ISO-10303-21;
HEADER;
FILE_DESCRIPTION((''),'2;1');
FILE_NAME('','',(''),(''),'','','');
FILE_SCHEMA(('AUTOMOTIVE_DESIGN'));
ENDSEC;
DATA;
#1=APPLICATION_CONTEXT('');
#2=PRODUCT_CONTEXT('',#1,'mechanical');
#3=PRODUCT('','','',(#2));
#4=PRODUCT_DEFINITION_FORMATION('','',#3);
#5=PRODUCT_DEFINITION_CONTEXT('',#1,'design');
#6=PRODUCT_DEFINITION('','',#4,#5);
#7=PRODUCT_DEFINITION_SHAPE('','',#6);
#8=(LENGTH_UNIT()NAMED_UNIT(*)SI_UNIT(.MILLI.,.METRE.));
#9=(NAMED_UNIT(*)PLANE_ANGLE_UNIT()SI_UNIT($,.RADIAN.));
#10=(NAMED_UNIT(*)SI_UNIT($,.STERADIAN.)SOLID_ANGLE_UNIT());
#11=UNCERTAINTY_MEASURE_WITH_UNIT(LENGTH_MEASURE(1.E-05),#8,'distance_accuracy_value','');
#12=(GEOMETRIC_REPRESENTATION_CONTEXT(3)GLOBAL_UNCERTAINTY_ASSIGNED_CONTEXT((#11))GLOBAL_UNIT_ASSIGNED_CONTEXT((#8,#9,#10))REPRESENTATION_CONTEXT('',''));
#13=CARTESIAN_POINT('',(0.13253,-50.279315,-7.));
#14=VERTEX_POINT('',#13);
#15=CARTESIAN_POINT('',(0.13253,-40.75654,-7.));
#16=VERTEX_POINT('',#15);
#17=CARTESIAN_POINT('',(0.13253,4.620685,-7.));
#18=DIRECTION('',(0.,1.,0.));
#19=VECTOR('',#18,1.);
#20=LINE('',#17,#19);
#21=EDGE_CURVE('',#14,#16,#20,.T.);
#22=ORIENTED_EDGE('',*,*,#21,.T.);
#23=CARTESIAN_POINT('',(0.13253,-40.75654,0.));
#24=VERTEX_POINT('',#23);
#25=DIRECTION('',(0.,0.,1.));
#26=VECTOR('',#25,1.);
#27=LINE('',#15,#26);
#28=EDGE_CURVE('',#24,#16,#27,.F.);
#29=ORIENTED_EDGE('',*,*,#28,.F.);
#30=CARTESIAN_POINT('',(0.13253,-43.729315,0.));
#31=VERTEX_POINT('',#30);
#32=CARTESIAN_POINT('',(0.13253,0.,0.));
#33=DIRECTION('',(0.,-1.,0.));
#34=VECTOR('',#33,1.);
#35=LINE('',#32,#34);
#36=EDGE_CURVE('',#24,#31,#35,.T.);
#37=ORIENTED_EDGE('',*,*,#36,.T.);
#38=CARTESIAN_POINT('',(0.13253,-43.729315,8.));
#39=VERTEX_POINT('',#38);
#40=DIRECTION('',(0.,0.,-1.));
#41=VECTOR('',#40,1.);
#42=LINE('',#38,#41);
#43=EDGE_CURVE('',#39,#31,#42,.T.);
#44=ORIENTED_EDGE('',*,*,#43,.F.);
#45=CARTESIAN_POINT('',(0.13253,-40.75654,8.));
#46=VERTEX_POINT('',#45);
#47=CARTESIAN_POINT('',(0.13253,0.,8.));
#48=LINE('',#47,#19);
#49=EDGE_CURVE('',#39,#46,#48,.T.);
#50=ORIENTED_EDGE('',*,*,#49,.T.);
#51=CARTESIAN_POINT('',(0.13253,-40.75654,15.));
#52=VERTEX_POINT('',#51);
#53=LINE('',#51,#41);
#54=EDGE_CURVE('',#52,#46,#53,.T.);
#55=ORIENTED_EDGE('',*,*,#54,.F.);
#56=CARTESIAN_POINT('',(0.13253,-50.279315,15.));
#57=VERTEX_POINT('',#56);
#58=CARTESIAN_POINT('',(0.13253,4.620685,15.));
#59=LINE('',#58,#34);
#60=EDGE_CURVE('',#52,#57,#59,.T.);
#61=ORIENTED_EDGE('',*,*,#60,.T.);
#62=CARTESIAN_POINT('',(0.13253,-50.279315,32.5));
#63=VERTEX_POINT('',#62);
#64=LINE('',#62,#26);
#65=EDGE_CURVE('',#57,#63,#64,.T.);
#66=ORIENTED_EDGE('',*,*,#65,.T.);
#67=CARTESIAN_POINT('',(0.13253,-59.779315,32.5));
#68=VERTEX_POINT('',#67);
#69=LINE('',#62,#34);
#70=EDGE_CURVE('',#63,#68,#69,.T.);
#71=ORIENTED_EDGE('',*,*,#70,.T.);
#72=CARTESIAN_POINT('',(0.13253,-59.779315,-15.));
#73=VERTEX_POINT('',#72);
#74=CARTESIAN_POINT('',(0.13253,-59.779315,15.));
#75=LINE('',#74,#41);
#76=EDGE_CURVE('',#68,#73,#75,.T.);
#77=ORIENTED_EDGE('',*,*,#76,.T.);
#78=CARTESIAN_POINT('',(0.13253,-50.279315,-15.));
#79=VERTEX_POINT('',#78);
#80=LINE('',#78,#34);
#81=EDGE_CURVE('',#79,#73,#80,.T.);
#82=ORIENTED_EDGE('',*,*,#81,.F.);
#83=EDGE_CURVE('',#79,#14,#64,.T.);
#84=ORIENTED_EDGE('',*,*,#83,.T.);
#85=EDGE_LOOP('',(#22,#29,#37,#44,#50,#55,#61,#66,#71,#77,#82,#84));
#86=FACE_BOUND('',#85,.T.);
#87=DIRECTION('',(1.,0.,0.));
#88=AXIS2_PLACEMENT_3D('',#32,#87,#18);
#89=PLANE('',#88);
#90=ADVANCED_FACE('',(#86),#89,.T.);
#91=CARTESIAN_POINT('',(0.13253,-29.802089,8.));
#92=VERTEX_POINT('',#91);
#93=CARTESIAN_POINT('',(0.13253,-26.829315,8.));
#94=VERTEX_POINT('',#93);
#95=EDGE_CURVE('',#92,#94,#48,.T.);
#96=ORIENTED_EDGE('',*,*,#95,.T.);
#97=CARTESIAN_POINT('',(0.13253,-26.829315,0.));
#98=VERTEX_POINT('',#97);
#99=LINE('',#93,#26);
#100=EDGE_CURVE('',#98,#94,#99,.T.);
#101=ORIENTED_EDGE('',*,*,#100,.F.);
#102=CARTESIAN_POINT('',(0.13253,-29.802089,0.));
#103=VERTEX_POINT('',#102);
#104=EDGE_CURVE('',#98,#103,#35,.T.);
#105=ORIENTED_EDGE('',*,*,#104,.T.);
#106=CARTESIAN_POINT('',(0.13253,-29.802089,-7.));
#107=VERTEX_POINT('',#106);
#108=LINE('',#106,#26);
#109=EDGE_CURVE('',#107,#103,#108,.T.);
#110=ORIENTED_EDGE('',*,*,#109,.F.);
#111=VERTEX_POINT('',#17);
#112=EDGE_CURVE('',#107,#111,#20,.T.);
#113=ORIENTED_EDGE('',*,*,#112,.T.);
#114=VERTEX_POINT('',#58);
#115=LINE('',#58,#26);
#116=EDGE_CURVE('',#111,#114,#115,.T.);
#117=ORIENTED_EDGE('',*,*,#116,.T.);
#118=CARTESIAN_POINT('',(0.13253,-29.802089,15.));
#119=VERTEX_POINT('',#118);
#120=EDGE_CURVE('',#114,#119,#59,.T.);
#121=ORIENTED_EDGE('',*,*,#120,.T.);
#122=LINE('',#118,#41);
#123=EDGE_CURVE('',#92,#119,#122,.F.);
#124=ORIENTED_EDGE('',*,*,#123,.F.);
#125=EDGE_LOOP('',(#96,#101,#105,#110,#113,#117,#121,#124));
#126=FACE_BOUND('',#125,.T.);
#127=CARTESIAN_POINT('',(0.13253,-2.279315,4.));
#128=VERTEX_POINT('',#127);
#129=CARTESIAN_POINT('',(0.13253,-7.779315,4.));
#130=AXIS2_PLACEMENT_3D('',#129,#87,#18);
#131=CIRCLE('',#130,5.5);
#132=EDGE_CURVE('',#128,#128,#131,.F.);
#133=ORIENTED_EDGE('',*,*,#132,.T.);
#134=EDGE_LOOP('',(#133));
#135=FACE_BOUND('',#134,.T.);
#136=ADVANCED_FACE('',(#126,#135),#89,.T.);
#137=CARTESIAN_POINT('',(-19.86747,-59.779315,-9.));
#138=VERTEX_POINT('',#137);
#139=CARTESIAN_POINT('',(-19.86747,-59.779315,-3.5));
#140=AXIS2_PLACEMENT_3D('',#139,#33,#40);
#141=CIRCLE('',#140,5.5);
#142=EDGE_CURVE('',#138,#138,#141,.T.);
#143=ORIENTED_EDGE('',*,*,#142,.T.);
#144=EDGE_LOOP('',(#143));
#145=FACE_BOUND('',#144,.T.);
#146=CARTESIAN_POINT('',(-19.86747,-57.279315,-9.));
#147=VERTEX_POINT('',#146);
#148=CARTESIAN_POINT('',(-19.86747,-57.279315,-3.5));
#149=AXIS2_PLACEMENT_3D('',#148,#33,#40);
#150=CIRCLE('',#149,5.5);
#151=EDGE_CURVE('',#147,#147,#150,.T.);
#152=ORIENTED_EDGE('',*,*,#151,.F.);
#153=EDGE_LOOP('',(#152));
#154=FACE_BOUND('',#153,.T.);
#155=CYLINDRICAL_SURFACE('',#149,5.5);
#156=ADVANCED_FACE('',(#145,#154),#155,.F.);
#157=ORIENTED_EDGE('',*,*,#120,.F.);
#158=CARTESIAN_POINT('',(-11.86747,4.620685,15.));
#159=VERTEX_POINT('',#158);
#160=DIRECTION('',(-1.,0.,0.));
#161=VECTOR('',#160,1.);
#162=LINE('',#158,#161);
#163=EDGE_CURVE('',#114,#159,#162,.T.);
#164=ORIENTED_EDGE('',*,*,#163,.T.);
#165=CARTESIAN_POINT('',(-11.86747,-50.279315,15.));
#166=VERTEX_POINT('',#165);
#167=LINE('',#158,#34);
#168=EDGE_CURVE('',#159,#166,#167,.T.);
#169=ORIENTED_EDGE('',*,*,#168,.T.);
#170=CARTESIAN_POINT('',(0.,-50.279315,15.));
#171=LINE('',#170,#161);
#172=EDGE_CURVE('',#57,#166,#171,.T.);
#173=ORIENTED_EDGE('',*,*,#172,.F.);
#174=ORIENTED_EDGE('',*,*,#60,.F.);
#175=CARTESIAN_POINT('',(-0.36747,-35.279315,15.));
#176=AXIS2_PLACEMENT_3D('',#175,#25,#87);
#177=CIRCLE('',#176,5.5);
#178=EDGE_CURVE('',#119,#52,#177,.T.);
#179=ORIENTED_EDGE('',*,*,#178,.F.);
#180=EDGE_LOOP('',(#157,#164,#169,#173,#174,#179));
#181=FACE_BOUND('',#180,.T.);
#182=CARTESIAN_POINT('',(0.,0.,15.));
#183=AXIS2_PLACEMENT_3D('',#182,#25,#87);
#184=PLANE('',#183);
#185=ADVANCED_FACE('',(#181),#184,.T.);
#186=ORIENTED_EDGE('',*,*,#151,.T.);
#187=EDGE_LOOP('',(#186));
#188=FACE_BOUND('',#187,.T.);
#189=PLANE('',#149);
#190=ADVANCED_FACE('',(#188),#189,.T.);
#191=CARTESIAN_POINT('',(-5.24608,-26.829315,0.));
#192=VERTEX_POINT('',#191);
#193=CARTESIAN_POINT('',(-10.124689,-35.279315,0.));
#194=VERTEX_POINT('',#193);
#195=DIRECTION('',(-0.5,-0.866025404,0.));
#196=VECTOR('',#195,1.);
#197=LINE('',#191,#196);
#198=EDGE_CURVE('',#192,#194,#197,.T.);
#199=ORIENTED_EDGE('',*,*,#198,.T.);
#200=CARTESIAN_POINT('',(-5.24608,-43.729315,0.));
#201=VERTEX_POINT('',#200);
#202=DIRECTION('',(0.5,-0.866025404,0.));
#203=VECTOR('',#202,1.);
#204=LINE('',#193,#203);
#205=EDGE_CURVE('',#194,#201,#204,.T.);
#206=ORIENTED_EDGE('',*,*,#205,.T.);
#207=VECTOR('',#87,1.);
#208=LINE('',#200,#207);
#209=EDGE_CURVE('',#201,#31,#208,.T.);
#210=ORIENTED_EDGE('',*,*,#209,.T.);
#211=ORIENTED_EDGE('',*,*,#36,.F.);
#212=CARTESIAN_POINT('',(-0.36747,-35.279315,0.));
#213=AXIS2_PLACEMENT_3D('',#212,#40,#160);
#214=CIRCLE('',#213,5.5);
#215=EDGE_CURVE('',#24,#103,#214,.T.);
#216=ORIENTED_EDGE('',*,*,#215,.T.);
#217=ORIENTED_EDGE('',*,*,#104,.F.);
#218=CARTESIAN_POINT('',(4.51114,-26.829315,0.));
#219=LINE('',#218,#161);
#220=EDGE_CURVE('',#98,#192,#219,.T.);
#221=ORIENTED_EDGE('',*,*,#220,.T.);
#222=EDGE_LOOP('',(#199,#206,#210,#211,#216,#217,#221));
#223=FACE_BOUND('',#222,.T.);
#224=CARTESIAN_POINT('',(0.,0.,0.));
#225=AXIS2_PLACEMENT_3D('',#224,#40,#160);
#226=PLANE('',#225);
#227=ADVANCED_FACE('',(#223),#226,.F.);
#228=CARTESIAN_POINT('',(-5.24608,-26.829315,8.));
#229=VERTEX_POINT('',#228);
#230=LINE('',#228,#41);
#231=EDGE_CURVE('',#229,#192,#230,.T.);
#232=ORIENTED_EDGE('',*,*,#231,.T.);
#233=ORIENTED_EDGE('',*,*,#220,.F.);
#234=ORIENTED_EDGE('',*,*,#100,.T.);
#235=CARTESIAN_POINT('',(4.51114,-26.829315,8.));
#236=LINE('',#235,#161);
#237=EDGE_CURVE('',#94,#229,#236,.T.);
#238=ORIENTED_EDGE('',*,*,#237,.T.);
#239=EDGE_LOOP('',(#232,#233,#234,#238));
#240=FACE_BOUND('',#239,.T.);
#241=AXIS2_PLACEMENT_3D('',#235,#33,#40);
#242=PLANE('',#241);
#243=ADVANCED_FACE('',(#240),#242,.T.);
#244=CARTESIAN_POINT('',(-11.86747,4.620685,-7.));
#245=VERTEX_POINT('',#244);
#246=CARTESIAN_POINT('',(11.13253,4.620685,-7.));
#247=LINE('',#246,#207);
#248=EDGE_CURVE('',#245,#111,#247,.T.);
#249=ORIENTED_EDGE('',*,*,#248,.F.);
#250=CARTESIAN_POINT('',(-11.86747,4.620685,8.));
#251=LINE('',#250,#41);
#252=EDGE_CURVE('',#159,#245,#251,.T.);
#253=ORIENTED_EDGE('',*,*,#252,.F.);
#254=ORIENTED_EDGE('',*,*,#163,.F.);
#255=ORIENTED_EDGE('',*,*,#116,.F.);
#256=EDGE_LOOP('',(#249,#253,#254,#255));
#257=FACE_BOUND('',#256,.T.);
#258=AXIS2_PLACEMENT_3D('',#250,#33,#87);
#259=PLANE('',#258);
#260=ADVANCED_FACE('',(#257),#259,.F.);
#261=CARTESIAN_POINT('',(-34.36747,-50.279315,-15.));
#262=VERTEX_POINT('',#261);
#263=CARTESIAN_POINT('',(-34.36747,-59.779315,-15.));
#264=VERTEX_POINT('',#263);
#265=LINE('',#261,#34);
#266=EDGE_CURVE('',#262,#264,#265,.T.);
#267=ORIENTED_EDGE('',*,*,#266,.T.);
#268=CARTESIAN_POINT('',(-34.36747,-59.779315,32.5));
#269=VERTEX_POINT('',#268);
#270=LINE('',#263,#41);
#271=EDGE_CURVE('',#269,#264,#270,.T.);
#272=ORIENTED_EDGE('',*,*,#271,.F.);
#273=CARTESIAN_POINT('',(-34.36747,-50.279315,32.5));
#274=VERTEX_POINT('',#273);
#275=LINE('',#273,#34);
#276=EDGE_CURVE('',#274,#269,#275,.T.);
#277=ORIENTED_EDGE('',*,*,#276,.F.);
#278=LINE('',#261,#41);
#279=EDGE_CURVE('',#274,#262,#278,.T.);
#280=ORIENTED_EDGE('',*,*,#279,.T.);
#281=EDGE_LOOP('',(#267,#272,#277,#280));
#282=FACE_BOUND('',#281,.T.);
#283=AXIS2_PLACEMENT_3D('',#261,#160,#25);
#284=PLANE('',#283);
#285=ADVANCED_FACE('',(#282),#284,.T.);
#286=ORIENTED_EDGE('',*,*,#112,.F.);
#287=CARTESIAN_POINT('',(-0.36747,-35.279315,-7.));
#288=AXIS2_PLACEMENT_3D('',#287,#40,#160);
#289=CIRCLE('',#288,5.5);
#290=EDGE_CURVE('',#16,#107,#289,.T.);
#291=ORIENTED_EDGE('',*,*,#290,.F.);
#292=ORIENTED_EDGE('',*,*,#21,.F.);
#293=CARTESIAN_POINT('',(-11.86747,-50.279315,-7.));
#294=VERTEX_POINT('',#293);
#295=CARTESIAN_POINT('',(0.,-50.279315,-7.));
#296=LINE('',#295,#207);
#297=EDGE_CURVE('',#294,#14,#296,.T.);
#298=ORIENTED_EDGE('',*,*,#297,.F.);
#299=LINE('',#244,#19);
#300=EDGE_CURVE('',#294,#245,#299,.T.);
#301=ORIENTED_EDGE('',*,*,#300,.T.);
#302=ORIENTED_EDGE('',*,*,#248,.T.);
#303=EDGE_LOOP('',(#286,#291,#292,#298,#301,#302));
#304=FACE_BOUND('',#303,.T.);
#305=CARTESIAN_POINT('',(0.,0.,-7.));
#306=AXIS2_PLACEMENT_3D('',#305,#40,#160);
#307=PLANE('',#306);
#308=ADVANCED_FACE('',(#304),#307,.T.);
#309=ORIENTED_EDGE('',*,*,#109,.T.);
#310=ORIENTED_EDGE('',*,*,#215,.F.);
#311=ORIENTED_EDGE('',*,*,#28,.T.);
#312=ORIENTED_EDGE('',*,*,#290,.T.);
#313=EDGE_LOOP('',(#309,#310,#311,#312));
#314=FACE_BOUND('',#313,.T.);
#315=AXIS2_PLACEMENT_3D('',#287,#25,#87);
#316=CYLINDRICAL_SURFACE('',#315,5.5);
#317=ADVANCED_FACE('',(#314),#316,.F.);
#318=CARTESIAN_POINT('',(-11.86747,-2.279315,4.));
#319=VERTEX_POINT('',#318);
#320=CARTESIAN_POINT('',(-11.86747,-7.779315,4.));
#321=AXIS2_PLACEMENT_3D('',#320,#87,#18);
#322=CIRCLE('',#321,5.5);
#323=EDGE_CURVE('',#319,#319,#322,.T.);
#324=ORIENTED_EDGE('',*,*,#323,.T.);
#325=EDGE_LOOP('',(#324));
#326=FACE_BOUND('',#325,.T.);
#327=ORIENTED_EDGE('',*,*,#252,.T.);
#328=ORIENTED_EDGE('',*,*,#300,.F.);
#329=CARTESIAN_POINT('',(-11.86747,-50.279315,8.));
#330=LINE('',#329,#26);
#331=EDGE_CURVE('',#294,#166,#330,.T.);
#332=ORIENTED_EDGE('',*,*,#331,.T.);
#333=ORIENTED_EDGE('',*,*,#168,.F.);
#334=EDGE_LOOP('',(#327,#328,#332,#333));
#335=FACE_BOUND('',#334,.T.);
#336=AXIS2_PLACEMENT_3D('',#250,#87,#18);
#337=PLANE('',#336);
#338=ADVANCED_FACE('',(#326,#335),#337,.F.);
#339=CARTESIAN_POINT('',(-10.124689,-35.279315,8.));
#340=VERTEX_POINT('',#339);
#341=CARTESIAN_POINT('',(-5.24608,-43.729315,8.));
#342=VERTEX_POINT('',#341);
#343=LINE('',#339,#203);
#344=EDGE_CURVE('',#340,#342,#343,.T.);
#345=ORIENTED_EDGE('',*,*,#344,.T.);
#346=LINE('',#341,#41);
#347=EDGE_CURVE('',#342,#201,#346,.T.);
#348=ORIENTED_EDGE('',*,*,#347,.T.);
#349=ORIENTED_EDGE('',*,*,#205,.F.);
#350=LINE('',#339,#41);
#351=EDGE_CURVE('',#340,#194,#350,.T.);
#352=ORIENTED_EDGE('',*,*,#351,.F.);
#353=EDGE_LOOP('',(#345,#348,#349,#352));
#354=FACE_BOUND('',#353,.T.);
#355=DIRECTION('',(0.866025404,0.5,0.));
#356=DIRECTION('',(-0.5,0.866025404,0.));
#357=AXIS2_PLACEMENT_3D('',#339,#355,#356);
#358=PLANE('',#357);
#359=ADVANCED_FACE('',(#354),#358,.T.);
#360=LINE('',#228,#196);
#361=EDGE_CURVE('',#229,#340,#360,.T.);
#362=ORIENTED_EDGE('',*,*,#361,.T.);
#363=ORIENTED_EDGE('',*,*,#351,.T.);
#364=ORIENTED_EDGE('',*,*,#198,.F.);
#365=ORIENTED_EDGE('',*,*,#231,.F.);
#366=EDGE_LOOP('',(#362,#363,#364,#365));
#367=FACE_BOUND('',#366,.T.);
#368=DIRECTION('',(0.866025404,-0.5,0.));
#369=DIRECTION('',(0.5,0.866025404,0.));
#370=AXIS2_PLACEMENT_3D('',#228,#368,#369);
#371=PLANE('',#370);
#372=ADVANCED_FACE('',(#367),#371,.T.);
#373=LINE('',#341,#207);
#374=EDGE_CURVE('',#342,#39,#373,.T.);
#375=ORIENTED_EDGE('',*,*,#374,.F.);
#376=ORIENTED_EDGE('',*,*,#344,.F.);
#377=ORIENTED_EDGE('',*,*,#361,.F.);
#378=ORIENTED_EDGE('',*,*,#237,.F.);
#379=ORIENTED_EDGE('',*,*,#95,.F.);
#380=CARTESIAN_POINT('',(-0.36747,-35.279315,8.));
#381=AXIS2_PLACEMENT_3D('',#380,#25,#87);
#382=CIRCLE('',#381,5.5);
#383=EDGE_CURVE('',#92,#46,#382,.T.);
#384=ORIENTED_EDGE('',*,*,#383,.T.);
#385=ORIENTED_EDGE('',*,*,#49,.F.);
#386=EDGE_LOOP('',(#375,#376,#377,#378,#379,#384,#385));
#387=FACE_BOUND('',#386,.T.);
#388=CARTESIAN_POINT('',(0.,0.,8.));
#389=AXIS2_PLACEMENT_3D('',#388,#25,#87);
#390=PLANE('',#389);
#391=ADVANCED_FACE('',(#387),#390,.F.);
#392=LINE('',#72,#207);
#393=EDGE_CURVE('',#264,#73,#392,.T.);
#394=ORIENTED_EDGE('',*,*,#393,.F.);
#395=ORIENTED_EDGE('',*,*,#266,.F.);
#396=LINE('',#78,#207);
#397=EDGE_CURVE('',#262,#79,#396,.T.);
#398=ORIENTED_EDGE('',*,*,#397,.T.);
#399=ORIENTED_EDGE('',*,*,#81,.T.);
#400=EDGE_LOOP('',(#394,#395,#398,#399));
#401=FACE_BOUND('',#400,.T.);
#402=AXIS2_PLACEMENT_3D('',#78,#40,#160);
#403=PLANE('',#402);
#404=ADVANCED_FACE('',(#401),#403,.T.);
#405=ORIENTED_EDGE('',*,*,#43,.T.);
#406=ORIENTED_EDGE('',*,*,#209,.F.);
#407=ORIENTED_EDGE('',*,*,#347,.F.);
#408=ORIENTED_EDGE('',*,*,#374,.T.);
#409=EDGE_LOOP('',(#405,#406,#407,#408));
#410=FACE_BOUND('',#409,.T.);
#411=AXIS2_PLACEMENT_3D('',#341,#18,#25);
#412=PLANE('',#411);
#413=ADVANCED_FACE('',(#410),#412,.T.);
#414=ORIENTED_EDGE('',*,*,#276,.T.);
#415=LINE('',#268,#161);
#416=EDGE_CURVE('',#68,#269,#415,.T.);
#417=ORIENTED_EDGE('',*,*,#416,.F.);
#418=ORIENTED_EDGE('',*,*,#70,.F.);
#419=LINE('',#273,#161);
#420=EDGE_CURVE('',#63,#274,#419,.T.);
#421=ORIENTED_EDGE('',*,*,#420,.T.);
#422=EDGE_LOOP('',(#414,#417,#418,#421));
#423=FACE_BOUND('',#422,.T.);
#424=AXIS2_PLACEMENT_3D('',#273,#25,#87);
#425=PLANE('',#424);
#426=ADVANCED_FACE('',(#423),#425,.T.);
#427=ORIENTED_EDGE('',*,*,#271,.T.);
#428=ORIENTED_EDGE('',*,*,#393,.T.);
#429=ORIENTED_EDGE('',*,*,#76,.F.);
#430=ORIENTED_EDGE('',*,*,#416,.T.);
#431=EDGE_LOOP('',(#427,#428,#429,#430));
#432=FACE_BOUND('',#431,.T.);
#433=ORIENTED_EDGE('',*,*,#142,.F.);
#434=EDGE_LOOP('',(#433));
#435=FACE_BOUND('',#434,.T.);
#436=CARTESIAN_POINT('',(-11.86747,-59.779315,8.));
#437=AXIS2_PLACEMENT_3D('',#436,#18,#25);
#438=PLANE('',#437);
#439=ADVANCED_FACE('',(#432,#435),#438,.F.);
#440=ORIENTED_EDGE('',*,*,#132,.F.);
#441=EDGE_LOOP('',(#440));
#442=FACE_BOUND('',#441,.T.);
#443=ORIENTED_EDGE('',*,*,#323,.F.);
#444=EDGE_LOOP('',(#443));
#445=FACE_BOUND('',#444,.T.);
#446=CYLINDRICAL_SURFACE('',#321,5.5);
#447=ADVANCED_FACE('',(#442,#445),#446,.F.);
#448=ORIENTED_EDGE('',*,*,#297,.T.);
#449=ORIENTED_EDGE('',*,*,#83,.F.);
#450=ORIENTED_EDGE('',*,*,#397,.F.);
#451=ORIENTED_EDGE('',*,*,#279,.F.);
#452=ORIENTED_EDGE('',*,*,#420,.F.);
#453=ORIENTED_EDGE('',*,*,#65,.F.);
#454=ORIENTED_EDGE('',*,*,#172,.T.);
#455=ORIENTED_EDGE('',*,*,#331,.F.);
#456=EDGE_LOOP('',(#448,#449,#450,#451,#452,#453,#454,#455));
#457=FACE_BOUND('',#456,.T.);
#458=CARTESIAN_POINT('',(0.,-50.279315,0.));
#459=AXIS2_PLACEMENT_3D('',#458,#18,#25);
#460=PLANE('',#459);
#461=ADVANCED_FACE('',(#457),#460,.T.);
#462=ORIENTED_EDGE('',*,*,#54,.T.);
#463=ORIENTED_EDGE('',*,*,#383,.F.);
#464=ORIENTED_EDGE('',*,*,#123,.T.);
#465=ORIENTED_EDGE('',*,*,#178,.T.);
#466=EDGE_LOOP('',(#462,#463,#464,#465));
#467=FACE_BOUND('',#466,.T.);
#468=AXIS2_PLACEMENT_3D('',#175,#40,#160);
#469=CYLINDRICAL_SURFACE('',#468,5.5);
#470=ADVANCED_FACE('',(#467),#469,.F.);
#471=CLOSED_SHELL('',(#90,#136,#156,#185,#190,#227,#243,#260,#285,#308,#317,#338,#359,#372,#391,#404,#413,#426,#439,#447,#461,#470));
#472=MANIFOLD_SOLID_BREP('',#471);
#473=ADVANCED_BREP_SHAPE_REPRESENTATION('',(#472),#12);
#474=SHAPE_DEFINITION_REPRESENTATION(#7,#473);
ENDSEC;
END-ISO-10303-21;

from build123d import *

# Parameters (mm, degrees)
SKETCH_1_W          = 23
SKETCH_1_H          = 64.4
EXTRUDE_1_DEPTH     = 8
SKETCH_3_W          = 23
SKETCH_3_H          = 64.4
SKETCH_3_R          = 5.5
EXTRUDE_2_DEPTH     = 7
SKETCH_4_W          = 23
SKETCH_4_H          = 64.4
SKETCH_4_R          = 5.5
EXTRUDE_3_DEPTH     = 7
SKETCH_5_R          = 5.5
CUT_EXTRUDE_1_DEPTH = 24
SKETCH_6_W          = 22
SKETCH_6_H          = 64.4
CUT_EXTRUDE_2_DEPTH = 11
EXTRUDE_4_DEPTH     = 9.5
SKETCH_9_R          = 5.5
CUT_EXTRUDE_3_DEPTH = 2.5


with BuildPart() as part:
    # 草圖1 → 填料-伸長1 (new body)
    with BuildSketch(Plane.XY):
        with Locations((-0.36746988, -27.579314659)):
            Rectangle(SKETCH_1_W, SKETCH_1_H)
        Polygon((9.38974967, -35.279314659), (4.511139895, -26.829314659), (-5.246079654, -26.829314659), (-10.124689429, -35.279314659), (-5.246079654, -43.729314659), (4.511139895, -43.729314659), align=None, mode=Mode.SUBTRACT)
    extrude(amount=EXTRUDE_1_DEPTH)

    # 草圖3 → 填料-伸長2 (add)
    with BuildSketch(Plane.XY.offset(8)):
        with Locations((-0.36746988, -27.579314659)):
            Rectangle(SKETCH_3_W, SKETCH_3_H)
        with Locations((-0.36746988, -35.279314659)):
            Circle(SKETCH_3_R, mode=Mode.SUBTRACT)
    extrude(amount=EXTRUDE_2_DEPTH)

    # 草圖4 → 填料-伸長3 (add)
    with BuildSketch(Plane(origin=(0, 0, 0), x_dir=(-1, 0, 0), z_dir=(0, 0, -1))):
        with Locations((0.36746988, -27.579314659)):
            Rectangle(SKETCH_4_W, SKETCH_4_H)
        with Locations((0.36746988, -35.279314659)):
            Circle(SKETCH_4_R, mode=Mode.SUBTRACT)
    extrude(amount=EXTRUDE_3_DEPTH)

    # 草圖5 → 除料-伸長1 (cut, through all)
    with BuildSketch(Plane(origin=(11.13253012, 0, 0), x_dir=(0, 0, -1), z_dir=(1, 0, 0))):
        with Locations((-4, -7.779314659)):
            Circle(SKETCH_5_R)
    extrude(amount=-CUT_EXTRUDE_1_DEPTH, mode=Mode.SUBTRACT)

    # 草圖6 → 除料-伸長2 (cut)
    with BuildSketch(Plane(origin=(11.13253012, 0, 0), x_dir=(0, 0, -1), z_dir=(1, 0, 0))):
        with Locations((-4, -27.579314659)):
            Rectangle(SKETCH_6_W, SKETCH_6_H)
    extrude(amount=-CUT_EXTRUDE_2_DEPTH, mode=Mode.SUBTRACT)

    # 草圖8 → 填料-伸長4 (add)
    with BuildSketch(Plane.XZ.offset(59.779314659)):
        Polygon((0.13253012, -7), (0.13253012, -15), (-34.36746988, -15), (-34.36746988, 32.5), (0.13253012, 32.5), align=None)
    extrude(amount=-EXTRUDE_4_DEPTH)

    # 草圖9 → 除料-伸長3 (cut)
    with BuildSketch(Plane.XZ.offset(59.779314659)):
        with Locations((-19.86746988, -3.5)):
            Circle(SKETCH_9_R)
    extrude(amount=-CUT_EXTRUDE_3_DEPTH, mode=Mode.SUBTRACT)


solid = part.part
